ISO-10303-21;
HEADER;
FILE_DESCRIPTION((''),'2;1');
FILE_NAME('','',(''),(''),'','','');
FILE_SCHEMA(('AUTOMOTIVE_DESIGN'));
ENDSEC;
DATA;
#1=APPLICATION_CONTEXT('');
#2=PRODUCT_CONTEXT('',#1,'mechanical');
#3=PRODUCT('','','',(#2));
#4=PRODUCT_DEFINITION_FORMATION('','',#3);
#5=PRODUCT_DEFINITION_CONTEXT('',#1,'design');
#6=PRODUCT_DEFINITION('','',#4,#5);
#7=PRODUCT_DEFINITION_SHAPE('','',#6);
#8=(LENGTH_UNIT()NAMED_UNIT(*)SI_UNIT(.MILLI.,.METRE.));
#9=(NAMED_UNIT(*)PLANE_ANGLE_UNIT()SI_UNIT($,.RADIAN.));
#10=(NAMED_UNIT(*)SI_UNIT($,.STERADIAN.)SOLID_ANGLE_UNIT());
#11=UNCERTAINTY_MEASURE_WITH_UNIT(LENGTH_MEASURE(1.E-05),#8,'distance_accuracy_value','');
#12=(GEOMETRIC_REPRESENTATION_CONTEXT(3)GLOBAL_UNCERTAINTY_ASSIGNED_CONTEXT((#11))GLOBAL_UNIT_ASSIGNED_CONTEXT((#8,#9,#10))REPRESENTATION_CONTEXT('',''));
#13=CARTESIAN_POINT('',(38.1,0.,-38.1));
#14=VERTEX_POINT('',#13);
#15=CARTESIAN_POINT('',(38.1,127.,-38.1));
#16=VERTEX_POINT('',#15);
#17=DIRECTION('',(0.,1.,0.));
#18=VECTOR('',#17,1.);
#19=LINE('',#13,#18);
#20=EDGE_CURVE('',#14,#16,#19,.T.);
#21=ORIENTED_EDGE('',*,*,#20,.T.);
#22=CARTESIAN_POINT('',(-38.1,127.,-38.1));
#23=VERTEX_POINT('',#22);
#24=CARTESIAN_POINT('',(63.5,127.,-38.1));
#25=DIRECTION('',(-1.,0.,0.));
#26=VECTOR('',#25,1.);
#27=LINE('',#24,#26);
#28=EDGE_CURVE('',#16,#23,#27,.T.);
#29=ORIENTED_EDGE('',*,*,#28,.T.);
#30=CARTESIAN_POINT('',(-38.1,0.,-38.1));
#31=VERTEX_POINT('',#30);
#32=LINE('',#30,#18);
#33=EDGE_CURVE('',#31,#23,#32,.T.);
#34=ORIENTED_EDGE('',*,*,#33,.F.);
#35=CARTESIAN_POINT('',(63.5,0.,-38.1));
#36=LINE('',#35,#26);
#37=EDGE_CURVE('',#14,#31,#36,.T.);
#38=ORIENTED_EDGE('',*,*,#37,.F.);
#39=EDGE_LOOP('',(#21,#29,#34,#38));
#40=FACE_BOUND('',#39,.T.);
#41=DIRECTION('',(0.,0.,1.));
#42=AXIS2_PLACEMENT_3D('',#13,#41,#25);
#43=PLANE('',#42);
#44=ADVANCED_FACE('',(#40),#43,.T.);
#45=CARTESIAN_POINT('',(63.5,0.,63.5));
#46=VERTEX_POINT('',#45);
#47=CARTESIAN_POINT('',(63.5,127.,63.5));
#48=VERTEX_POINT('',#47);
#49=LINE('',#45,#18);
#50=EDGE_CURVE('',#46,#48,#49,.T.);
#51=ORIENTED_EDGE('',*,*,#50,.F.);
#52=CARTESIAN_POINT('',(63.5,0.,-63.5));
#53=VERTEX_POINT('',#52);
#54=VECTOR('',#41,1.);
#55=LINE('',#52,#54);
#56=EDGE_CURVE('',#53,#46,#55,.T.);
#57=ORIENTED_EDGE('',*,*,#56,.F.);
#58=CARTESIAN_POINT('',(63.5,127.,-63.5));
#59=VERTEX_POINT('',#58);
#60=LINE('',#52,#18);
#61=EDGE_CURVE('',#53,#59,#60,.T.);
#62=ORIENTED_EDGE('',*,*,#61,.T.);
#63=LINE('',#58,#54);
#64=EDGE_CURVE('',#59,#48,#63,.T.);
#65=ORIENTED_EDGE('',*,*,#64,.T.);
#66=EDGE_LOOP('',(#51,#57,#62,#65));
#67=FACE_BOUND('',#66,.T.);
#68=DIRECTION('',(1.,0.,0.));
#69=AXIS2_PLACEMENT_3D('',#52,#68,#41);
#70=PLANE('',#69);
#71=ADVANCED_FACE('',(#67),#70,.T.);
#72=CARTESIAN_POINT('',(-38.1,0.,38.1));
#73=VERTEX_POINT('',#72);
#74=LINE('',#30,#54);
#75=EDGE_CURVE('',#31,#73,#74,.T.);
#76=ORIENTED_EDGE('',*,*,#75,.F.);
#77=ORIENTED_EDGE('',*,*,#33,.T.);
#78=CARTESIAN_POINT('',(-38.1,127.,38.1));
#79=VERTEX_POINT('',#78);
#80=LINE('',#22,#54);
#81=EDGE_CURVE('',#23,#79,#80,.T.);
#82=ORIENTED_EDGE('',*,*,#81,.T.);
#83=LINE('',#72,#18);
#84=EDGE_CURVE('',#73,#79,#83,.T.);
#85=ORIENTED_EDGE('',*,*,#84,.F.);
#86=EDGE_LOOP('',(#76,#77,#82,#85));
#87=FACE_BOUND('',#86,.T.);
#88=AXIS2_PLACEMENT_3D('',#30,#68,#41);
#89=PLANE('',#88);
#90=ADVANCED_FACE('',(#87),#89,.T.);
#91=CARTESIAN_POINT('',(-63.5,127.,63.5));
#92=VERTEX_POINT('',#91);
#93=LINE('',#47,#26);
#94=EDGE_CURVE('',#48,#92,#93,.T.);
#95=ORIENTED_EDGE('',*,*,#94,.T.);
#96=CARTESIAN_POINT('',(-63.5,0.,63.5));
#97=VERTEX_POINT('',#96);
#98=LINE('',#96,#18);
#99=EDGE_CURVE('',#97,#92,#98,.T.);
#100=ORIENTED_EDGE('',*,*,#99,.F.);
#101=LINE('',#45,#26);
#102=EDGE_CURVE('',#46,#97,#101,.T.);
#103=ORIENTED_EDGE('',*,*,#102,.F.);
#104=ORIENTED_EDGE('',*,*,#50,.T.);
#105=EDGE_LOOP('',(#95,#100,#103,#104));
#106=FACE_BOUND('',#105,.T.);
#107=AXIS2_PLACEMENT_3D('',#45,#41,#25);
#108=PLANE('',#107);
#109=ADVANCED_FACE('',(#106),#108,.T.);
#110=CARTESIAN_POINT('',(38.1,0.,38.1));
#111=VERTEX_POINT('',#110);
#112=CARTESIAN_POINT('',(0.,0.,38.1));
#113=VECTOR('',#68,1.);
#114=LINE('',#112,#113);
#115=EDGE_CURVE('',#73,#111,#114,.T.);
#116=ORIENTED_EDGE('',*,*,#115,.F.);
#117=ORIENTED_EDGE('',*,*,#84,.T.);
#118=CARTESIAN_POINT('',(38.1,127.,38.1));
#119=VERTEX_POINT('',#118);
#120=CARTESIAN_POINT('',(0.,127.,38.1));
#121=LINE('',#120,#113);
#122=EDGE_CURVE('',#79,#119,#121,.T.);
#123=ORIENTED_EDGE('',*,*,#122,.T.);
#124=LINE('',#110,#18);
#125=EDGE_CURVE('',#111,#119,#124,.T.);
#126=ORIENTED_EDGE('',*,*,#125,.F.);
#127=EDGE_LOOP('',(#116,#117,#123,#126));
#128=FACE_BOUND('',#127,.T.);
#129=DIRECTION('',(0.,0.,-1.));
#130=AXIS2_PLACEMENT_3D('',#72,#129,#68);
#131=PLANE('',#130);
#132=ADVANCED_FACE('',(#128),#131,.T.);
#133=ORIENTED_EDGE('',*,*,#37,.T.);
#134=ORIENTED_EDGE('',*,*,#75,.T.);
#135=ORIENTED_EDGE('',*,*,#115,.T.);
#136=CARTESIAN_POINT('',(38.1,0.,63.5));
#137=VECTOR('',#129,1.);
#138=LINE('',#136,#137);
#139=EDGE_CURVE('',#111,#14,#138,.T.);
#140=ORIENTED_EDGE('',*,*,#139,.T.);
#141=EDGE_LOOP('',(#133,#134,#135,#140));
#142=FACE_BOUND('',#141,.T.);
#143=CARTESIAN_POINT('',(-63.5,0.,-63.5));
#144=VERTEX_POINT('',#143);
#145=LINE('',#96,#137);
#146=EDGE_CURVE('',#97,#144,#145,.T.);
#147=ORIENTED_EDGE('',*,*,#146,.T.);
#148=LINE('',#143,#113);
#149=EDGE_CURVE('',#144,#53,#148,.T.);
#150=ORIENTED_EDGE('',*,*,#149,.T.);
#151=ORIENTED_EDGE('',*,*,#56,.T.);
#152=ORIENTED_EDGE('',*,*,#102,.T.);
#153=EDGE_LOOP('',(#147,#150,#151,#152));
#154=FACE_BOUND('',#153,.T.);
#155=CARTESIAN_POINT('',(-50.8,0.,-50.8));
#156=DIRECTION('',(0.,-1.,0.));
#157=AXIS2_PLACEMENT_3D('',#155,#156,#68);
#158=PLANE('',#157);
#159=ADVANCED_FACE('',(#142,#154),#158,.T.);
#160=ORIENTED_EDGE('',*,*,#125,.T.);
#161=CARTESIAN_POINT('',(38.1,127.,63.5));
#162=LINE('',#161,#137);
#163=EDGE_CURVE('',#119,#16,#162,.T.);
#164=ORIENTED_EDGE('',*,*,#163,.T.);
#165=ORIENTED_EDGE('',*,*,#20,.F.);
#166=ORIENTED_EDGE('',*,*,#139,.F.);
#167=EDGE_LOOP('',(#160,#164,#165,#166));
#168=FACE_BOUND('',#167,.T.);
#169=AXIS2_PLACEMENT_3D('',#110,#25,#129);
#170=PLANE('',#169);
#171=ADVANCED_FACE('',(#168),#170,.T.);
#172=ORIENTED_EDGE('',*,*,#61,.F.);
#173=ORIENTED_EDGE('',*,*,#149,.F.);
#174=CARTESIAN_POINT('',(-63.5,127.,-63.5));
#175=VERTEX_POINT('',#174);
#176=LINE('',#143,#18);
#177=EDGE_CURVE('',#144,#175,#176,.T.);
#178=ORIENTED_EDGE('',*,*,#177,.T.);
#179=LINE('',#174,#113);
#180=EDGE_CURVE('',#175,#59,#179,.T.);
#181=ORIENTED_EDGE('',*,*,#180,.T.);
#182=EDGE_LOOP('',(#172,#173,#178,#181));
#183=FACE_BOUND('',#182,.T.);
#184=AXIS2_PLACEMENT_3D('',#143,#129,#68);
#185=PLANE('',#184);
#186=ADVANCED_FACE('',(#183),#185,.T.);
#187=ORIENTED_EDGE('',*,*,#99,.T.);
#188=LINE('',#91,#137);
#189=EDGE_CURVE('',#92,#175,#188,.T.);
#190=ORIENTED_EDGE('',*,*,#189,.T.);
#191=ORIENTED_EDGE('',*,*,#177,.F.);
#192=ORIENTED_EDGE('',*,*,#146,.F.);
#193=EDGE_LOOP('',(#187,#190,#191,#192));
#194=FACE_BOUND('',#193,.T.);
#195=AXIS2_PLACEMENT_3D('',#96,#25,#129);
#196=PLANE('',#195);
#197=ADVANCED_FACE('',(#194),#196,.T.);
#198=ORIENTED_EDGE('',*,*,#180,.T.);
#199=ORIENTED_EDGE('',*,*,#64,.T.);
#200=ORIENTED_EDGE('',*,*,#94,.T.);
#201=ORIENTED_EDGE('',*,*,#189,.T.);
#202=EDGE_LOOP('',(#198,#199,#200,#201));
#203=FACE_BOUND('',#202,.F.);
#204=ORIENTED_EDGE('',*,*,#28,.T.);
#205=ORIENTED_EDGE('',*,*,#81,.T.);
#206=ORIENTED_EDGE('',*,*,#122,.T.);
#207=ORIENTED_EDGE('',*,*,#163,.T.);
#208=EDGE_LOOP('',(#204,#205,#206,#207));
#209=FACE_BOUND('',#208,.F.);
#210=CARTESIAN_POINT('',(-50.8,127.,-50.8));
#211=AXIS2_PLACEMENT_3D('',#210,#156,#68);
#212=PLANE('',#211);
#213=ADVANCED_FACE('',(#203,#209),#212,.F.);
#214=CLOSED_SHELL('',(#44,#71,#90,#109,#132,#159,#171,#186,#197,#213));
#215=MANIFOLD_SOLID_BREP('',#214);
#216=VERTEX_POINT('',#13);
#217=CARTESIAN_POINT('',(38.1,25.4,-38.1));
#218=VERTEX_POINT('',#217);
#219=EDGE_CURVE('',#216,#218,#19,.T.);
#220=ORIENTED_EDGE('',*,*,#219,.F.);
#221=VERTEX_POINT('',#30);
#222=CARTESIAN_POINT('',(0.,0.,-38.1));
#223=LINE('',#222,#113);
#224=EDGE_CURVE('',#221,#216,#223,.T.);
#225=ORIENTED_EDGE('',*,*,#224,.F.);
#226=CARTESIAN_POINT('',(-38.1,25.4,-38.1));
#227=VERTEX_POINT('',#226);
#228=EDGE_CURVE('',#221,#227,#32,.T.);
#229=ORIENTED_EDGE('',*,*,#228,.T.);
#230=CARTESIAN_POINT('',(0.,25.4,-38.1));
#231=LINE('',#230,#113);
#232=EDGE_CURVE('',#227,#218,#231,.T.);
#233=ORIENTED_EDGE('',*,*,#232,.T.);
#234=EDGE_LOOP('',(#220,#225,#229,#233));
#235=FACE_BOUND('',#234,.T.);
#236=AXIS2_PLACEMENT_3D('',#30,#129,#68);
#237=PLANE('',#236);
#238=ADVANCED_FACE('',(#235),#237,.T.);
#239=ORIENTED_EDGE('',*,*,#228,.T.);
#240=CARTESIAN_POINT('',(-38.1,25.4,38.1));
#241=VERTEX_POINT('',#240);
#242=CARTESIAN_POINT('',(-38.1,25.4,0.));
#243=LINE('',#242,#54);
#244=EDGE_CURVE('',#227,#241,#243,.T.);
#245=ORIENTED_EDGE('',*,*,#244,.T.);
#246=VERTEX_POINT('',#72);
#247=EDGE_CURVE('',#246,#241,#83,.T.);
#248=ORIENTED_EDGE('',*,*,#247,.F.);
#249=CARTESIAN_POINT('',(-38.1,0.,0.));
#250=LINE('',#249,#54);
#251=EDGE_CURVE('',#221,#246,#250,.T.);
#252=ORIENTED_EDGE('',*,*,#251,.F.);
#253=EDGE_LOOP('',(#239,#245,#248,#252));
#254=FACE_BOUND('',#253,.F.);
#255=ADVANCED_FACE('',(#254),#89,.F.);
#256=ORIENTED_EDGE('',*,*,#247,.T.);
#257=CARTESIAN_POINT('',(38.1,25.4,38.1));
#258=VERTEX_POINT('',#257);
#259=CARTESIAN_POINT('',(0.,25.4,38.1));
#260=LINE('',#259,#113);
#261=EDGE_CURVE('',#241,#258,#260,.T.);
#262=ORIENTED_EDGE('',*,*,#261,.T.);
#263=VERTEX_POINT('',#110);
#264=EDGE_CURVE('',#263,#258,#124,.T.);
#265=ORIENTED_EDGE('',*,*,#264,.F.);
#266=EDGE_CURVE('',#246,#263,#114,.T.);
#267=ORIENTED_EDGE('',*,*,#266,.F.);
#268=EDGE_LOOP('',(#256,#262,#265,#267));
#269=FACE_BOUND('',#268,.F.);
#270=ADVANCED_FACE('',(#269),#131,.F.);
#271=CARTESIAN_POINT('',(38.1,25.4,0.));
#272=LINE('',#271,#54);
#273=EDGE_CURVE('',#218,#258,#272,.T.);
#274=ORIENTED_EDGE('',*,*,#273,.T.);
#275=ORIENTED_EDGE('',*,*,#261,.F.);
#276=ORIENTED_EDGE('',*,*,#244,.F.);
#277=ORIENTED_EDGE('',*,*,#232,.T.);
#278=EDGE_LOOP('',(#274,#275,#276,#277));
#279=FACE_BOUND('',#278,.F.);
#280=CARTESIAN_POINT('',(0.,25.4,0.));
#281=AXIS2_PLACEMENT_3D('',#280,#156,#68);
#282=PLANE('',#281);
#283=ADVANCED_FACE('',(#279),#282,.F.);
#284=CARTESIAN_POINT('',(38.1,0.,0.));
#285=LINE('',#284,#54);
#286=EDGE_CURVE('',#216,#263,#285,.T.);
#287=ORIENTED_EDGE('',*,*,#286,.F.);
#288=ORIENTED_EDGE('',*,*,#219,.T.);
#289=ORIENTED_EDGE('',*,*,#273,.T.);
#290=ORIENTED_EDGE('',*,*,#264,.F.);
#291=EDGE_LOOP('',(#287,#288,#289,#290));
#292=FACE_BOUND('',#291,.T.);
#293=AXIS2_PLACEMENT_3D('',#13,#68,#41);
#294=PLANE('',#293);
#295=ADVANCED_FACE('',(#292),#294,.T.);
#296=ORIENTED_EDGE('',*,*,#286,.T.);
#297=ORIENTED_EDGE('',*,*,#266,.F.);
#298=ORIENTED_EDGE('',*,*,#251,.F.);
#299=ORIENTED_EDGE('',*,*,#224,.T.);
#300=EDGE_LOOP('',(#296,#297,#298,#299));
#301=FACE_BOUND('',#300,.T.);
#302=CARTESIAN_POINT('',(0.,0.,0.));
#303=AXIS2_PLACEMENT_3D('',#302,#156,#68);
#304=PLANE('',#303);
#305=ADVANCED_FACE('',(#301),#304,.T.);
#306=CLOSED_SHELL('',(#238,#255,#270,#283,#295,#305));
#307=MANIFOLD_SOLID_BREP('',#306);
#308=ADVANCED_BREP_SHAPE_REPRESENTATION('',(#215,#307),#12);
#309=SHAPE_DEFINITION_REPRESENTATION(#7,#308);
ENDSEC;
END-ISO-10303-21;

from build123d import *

# Parameters (mm, degrees)
F0_W     = 25.4
F0_H     = 25.4
F0_H_2   = 76.2
F0_W_2   = 76.2
F1_DEPTH = 127
F2_DEPTH = 25.4


with BuildPart() as f1:
    # F0 (on Front) → F1 (new body)
    with BuildSketch(Plane.XZ):
        Polygon((-38.1, -63.5), (-38.1, -38.1), (-63.5, -38.1), (-63.5, -63.5), (-40.9058220685, -63.5), align=None)
        with Locations((50.8, 50.8)):
            Rectangle(F0_W, F0_H)
        with Locations((50.8, -50.8)):
            Rectangle(F0_W, F0_H)
        with Locations((-50.8, 0)):
            Rectangle(F0_W, F0_H_2)
        with Locations((0, -50.8)):
            Rectangle(F0_W_2, F0_H)
        with Locations((50.8, 0)):
            Rectangle(F0_W, F0_H_2)
        Polygon((-38.1, 38.1), (-38.1, 63.5), (-40.9058220685, 63.5), (-63.5, 63.5), (-63.5, 38.1), align=None)
        with Locations((0, 50.8)):
            Rectangle(F0_W_2, F0_H)
    extrude(amount=-F1_DEPTH)


with BuildPart() as f2:
    # F0 (on Front) → F2 (new body)
    with BuildSketch(Plane.XZ):
        Rectangle(F0_W_2, F0_H_2)
    extrude(amount=-F2_DEPTH)


solid = Compound([f1.part, f2.part])
